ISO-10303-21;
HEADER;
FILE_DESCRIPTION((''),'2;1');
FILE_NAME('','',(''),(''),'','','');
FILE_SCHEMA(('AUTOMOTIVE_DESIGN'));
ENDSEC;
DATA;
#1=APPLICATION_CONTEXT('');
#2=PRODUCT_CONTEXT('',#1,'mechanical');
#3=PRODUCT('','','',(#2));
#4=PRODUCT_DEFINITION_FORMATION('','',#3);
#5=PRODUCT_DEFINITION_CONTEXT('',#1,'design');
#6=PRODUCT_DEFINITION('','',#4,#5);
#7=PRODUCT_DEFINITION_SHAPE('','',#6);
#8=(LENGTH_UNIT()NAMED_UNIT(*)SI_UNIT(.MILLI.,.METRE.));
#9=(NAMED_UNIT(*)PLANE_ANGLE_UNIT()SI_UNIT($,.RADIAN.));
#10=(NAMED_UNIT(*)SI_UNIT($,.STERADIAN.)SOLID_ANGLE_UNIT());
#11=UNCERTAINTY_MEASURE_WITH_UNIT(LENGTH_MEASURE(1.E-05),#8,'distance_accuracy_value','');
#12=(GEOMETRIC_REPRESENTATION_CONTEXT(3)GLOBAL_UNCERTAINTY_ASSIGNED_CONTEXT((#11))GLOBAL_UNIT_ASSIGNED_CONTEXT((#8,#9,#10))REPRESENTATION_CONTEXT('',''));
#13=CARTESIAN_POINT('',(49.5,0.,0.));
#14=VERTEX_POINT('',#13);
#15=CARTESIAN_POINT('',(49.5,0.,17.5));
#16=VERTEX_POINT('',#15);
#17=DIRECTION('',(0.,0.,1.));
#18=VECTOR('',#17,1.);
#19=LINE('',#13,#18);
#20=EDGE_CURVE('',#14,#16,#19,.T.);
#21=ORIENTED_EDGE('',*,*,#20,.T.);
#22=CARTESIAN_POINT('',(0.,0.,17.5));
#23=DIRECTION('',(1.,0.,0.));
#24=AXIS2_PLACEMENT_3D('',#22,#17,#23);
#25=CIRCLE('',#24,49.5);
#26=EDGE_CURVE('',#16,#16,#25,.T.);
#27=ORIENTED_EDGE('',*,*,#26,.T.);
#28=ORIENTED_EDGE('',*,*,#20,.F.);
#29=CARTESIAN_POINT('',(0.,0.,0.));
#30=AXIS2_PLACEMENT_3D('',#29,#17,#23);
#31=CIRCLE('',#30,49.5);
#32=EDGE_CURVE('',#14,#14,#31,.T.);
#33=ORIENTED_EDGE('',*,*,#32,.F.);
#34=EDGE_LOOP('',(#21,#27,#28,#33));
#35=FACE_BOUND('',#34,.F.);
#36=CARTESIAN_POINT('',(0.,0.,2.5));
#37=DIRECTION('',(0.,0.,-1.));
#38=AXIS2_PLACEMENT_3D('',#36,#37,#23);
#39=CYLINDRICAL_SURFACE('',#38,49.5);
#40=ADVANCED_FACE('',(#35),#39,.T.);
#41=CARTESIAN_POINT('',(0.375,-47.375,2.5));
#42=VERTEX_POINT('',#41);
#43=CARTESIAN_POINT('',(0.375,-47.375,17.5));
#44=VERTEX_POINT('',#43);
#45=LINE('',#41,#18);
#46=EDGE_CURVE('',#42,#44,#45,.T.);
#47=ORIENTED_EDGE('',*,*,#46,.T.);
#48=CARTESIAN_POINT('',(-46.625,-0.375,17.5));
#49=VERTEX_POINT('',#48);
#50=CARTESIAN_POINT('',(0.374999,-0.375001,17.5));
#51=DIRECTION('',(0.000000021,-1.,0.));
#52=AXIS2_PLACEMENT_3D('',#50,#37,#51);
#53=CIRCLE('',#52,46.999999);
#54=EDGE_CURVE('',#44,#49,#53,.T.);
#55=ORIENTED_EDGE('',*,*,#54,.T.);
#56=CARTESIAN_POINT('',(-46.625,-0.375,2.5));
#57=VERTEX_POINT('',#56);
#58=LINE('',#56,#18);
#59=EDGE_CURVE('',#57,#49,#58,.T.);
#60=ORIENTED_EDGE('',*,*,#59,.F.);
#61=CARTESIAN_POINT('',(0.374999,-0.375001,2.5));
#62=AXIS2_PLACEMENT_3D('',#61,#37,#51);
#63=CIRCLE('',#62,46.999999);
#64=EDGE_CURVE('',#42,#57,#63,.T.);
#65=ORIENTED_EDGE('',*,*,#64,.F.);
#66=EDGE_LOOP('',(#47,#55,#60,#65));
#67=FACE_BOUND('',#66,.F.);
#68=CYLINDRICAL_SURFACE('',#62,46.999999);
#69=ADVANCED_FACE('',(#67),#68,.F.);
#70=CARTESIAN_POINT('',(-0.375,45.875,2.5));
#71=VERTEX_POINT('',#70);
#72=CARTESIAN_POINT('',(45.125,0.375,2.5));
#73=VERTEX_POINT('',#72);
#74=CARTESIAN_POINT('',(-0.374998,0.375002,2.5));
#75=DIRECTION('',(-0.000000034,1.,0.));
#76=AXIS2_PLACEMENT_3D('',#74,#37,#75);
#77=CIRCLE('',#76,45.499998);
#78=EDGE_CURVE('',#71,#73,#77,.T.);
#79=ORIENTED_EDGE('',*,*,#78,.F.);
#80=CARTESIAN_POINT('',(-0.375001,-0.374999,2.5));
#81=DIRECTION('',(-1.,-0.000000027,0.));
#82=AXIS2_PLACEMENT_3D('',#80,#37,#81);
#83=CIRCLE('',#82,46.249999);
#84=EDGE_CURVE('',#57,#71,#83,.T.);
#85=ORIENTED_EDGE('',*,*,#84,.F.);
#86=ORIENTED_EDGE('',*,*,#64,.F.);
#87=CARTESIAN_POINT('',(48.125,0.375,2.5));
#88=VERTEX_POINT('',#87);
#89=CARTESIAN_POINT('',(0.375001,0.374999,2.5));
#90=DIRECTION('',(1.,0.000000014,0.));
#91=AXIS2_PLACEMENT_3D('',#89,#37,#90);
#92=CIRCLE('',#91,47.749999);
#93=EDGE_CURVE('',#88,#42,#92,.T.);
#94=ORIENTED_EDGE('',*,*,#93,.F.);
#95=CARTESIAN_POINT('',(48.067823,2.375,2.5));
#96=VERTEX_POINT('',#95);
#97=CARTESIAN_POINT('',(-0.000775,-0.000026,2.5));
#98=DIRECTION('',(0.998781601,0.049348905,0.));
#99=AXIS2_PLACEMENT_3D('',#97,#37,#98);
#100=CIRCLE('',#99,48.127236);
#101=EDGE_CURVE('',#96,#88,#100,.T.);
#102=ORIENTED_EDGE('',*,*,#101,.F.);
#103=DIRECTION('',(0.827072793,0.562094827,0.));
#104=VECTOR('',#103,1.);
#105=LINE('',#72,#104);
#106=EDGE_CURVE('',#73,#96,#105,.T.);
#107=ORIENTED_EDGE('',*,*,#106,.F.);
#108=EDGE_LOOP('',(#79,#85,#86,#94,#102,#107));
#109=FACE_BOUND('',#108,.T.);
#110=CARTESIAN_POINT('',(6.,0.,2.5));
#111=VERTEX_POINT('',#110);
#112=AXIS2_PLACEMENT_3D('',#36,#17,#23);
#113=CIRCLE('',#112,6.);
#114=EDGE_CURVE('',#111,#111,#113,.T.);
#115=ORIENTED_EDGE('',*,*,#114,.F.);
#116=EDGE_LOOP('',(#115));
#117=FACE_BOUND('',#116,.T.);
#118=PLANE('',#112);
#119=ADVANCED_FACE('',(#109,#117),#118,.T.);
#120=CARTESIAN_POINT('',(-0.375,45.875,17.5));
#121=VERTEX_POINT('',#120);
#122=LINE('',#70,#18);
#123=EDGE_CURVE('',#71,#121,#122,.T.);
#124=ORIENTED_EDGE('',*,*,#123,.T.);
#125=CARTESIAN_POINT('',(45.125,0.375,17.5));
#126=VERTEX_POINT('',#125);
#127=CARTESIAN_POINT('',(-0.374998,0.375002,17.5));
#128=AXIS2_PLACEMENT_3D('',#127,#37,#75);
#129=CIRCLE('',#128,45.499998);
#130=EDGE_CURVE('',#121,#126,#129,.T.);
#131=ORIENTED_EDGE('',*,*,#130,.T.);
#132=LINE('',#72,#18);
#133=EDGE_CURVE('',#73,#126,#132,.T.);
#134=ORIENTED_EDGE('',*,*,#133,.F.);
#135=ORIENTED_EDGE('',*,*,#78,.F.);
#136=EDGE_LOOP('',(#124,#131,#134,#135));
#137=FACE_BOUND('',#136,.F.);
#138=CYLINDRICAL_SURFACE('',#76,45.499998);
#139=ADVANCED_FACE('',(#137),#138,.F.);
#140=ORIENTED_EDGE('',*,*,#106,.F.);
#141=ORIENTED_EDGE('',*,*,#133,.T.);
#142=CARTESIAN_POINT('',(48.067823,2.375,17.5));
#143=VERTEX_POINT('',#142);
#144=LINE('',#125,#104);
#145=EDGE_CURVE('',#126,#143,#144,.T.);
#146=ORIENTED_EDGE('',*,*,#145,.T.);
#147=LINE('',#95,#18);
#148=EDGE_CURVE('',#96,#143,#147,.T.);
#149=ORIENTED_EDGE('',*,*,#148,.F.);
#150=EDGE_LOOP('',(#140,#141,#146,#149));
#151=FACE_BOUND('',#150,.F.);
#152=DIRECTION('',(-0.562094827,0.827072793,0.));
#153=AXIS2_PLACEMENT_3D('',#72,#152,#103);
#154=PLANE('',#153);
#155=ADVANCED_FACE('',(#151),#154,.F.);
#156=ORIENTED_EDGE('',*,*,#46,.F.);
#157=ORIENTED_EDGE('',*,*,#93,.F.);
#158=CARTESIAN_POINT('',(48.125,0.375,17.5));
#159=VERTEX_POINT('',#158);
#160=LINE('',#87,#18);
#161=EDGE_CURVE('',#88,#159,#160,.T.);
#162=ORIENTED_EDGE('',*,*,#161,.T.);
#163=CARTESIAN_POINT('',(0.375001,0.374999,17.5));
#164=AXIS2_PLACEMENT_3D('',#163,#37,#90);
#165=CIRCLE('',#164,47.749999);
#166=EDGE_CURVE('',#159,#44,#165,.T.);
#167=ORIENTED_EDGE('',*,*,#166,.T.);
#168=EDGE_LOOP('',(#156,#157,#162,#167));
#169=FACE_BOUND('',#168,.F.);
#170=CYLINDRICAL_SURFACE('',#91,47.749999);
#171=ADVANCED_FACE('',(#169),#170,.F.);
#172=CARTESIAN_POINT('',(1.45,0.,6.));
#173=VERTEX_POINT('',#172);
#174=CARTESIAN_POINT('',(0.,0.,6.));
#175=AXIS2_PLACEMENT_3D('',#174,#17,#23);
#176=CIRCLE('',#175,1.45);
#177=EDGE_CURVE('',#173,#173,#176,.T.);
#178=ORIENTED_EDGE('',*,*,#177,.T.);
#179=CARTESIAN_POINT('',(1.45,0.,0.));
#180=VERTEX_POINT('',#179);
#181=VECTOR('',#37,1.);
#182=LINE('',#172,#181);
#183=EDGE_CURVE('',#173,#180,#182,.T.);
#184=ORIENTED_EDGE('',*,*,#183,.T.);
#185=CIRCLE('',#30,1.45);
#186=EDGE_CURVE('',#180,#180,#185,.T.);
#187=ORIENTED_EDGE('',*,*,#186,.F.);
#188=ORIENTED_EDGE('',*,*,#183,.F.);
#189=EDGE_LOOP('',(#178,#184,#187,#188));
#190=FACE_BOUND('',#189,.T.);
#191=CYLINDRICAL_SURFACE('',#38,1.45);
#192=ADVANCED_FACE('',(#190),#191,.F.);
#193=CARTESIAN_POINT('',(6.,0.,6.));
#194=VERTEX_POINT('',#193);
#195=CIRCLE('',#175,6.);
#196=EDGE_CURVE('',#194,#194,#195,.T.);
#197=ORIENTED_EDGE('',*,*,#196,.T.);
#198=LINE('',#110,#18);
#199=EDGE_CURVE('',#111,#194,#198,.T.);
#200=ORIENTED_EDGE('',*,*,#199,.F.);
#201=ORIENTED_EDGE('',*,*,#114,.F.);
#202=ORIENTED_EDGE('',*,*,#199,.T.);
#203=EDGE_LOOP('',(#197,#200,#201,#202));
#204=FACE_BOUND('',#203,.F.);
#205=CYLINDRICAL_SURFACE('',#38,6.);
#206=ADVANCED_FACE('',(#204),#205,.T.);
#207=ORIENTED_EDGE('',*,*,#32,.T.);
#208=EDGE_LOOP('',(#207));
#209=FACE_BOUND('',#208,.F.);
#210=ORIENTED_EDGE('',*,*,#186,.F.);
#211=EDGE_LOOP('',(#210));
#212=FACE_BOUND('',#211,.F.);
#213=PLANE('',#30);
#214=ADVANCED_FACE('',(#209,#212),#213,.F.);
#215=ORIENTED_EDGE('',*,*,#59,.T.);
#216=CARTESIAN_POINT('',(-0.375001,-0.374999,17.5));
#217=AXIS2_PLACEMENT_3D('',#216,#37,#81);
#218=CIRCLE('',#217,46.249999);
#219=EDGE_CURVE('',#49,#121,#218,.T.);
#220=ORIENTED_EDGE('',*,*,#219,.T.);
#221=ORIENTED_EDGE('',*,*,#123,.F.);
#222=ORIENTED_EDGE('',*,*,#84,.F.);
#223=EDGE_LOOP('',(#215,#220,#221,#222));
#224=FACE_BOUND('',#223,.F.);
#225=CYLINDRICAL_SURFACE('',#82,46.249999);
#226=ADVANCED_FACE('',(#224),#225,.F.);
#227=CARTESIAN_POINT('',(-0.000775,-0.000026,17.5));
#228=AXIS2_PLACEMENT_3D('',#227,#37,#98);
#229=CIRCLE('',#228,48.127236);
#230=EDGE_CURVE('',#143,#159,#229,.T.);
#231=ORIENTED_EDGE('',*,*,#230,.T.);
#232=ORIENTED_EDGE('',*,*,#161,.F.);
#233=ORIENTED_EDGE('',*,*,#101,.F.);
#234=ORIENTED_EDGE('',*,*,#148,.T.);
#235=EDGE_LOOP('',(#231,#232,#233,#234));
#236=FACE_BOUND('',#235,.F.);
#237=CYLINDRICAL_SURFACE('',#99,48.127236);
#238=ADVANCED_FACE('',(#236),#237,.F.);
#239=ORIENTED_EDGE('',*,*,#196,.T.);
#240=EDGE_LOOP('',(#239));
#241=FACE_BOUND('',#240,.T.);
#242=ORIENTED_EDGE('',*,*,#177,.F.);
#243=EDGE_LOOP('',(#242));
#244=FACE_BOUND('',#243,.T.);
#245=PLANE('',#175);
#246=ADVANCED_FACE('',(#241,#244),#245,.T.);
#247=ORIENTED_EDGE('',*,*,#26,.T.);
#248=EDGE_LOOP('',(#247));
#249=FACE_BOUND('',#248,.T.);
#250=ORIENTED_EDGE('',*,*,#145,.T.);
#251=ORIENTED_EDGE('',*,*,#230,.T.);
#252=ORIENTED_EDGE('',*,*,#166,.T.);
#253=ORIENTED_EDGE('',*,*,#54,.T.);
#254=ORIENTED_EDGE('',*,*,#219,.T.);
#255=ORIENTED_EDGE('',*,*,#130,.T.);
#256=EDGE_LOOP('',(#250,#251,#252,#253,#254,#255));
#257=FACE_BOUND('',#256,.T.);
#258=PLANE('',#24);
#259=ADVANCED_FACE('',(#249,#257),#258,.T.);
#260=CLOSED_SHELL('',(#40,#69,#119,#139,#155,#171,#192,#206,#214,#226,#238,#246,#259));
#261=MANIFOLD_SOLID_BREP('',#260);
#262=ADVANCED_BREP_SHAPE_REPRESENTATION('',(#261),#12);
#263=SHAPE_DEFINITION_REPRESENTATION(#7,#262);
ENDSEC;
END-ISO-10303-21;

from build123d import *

# Parameters (mm, degrees)
F0_R     = 49.5
F0_R_2   = 1.45
F1_DEPTH = 2.5
F2_R     = 6
F2_R_2   = 1.45
F3_DEPTH = 3.5
F4_R     = 49.5
F5_DEPTH = 15


with BuildPart() as f1:
    # F0 (on Top) → F1 (new body)
    with BuildSketch(Plane.XY):
        Circle(F0_R)
        Circle(F0_R_2, mode=Mode.SUBTRACT)
    extrude(amount=F1_DEPTH)

    # F2 (on face) → F3 (join)
    with BuildSketch(Plane.XY.offset(2.5)):
        Circle(F2_R)
        Circle(F2_R_2, mode=Mode.SUBTRACT)
    extrude(amount=F3_DEPTH)

    # F4 (on face) → F5 (join)
    with BuildSketch(Plane.XY.offset(2.5)):
        Circle(F4_R)
        with BuildLine():
            ThreePointArc((-0.375, 45.875), (31.798359, 32.548359), (45.125, 0.375))
            Line((45.125, 0.375), (48.067823, 2.375))
            ThreePointArc((48.067823, 2.375), (48.106806, 1.375297), (48.125, 0.375))
            ThreePointArc((48.125, 0.375), (34.139349, -33.389349), (0.375, -47.375))
            ThreePointArc((0.375, -47.375), (-32.859019, -33.609019), (-46.625, -0.375))
            ThreePointArc((-46.625, -0.375), (-33.078689, 32.328689), (-0.375, 45.875))
        make_face(mode=Mode.SUBTRACT)
    extrude(amount=F5_DEPTH)


solid = f1.part
